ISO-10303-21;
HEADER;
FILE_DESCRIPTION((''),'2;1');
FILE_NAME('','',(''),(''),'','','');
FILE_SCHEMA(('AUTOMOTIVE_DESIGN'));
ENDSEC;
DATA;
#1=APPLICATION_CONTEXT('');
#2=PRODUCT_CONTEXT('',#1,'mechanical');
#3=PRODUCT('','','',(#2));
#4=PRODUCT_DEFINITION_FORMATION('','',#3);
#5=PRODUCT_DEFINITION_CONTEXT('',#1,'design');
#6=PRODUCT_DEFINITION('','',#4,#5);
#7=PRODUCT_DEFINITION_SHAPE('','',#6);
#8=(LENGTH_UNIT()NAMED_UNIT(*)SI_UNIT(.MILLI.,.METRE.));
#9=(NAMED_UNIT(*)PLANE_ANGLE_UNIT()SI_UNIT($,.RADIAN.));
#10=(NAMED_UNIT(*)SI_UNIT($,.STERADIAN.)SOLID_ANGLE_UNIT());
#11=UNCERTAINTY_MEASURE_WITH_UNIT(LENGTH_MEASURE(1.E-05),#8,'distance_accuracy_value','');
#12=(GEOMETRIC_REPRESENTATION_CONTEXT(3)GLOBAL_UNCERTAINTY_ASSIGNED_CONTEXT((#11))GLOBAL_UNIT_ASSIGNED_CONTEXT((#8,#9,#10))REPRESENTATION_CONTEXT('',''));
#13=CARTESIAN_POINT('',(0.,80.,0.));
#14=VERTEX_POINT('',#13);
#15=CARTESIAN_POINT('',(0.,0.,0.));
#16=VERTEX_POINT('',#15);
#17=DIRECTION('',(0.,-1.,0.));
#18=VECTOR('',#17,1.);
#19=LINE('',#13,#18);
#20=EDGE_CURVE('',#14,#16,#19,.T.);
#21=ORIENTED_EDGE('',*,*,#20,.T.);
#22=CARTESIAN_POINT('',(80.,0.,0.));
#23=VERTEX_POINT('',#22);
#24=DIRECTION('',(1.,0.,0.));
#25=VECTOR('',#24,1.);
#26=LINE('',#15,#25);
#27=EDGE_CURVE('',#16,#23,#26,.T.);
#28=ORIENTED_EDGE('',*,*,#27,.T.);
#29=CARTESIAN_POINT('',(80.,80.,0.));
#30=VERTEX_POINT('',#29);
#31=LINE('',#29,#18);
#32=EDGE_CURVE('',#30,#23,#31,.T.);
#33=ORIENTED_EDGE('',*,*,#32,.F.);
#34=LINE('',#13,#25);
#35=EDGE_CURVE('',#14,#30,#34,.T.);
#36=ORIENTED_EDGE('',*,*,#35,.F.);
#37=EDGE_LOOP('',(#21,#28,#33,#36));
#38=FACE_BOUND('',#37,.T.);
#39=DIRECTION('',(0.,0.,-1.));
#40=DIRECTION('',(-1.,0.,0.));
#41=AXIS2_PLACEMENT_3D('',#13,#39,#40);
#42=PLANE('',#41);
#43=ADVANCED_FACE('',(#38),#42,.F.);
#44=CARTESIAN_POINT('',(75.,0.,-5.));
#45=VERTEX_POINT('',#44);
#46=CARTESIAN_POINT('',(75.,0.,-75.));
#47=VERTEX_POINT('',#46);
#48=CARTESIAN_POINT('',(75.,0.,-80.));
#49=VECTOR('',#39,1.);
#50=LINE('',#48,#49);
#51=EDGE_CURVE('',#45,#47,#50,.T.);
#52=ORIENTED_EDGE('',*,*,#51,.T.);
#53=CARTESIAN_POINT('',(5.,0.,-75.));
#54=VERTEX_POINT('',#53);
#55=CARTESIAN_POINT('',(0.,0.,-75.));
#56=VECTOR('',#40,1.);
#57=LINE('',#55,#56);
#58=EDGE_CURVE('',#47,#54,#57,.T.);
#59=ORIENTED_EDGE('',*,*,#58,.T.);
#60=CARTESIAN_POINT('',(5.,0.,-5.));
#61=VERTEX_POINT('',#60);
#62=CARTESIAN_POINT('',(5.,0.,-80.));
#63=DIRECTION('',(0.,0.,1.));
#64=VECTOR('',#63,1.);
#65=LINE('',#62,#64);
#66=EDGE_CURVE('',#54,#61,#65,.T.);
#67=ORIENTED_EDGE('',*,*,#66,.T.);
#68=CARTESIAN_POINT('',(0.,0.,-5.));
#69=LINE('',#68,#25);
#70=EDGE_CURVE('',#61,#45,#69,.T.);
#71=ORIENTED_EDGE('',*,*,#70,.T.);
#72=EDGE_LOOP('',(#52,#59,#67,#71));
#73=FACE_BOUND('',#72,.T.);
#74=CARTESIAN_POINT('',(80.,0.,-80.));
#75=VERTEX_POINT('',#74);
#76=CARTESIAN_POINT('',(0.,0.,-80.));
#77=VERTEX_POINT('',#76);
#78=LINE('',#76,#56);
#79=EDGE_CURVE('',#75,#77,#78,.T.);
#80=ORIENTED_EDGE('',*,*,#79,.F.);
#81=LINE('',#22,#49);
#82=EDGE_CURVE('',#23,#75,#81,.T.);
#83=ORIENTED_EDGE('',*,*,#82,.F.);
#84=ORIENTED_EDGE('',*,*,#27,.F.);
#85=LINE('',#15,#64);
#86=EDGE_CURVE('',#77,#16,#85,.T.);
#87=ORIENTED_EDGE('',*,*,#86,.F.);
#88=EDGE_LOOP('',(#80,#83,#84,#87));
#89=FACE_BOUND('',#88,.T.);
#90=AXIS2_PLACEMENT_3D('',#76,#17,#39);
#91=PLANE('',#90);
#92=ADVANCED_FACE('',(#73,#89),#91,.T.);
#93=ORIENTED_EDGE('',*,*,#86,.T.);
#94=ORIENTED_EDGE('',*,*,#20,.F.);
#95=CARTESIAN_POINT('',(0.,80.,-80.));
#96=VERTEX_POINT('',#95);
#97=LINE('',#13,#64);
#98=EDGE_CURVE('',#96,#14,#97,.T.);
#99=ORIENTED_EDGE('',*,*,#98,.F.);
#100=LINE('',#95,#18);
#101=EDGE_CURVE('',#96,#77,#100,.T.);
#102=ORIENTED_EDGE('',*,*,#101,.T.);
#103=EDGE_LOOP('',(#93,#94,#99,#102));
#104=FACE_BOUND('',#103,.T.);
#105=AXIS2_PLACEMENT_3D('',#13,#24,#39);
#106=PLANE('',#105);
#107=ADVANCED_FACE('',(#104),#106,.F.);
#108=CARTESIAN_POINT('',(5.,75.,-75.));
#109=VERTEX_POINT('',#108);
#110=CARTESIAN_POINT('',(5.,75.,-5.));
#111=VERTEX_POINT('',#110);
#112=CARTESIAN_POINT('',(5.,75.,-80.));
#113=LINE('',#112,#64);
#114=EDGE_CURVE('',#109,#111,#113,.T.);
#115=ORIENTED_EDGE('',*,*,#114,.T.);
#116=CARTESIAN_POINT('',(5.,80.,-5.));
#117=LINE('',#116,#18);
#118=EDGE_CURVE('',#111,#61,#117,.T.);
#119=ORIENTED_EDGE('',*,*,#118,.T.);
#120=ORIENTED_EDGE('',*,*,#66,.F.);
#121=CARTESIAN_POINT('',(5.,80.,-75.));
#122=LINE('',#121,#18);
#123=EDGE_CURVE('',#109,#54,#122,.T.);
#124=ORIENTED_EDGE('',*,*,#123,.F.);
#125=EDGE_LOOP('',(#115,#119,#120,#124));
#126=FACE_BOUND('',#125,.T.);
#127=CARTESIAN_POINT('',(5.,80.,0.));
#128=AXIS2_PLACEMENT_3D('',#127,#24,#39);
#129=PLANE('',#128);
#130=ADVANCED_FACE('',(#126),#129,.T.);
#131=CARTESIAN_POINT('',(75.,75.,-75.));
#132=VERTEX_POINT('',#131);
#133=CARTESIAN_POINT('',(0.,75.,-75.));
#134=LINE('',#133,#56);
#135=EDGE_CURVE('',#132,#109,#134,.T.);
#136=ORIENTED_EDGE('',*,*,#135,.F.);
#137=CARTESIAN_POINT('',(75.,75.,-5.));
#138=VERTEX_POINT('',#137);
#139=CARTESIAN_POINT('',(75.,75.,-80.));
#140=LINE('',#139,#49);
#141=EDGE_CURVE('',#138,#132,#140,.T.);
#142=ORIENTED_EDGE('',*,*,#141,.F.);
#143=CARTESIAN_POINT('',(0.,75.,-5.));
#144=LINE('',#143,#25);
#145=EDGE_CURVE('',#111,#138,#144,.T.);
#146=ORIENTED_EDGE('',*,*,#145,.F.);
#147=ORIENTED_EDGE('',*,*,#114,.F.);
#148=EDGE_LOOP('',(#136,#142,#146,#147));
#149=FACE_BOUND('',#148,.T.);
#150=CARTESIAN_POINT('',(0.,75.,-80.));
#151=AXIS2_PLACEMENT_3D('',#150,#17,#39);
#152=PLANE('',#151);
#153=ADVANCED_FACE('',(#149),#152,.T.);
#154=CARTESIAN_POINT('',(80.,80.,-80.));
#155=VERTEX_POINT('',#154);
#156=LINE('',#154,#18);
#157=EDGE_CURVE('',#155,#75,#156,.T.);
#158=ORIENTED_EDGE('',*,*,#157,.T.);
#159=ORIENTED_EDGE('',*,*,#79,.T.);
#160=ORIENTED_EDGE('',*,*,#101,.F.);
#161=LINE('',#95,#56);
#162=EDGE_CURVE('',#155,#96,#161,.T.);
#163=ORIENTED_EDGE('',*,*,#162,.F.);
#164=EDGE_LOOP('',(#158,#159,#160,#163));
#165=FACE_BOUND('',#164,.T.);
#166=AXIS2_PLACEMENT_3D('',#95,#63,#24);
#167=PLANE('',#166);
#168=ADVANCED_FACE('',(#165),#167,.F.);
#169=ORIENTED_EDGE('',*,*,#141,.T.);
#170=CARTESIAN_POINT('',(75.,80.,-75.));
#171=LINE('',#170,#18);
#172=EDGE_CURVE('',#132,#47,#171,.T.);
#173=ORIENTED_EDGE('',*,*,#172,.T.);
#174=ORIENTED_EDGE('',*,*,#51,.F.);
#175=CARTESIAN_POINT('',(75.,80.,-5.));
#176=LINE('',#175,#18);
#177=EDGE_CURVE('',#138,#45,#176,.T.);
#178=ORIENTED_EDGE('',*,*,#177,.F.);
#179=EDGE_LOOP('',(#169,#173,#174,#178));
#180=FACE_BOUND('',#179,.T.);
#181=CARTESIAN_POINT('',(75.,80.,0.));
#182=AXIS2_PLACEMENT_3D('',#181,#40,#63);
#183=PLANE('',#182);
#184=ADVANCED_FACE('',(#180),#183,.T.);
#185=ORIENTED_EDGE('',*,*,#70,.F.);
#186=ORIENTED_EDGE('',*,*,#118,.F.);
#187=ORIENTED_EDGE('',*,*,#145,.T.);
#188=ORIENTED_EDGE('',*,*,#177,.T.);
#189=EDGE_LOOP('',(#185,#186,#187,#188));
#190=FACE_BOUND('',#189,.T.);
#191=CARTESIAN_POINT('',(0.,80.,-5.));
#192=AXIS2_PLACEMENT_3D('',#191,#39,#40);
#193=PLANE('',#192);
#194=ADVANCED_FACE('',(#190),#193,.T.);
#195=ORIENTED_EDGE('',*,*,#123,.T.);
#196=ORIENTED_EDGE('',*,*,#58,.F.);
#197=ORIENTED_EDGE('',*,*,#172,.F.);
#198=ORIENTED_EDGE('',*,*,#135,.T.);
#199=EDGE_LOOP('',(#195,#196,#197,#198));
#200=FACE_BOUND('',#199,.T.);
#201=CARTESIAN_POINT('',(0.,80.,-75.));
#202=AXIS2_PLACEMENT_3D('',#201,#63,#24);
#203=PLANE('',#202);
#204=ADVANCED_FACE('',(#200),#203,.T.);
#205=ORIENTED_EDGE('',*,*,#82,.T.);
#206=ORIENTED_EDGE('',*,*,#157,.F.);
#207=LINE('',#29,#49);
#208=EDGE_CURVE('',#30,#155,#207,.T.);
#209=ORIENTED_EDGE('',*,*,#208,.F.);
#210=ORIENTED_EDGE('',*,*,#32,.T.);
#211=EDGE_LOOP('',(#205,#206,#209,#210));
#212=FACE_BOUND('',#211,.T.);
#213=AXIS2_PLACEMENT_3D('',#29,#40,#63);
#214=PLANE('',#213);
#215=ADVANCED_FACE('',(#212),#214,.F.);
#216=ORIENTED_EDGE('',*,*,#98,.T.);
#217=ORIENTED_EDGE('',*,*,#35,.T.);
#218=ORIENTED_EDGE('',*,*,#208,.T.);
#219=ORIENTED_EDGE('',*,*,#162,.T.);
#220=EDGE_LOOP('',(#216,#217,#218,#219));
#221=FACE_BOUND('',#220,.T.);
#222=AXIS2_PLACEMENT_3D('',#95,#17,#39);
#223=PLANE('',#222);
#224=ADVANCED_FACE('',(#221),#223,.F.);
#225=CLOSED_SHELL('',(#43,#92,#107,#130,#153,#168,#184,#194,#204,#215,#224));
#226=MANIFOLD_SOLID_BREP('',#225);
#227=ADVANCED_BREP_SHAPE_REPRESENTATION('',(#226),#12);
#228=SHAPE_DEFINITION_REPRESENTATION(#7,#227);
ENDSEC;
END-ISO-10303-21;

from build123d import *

# Parameters (mm, degrees)
ESQUISSE1_W      = 80
ESQUISSE1_H      = 80
EXTRUSION1_DEPTH = 80
COQUE1_T         = -5


with BuildPart() as part:
    # Esquisse1 → Extrusion1 (new body)
    with BuildSketch(Plane(origin=(0, 0, 0), x_dir=(1, 0, 0), z_dir=(0, 1, 0))):
        with Locations((40, 40)):
            Rectangle(ESQUISSE1_W, ESQUISSE1_H)
    extrude(amount=EXTRUSION1_DEPTH)

    # Coque1
    coque1_openings = [part.faces().sort_by_distance(p)[0] for p in [
        (40, 0, -40),
    ]]
    offset(amount=COQUE1_T, openings=coque1_openings, kind=Kind.INTERSECTION)


solid = part.part
